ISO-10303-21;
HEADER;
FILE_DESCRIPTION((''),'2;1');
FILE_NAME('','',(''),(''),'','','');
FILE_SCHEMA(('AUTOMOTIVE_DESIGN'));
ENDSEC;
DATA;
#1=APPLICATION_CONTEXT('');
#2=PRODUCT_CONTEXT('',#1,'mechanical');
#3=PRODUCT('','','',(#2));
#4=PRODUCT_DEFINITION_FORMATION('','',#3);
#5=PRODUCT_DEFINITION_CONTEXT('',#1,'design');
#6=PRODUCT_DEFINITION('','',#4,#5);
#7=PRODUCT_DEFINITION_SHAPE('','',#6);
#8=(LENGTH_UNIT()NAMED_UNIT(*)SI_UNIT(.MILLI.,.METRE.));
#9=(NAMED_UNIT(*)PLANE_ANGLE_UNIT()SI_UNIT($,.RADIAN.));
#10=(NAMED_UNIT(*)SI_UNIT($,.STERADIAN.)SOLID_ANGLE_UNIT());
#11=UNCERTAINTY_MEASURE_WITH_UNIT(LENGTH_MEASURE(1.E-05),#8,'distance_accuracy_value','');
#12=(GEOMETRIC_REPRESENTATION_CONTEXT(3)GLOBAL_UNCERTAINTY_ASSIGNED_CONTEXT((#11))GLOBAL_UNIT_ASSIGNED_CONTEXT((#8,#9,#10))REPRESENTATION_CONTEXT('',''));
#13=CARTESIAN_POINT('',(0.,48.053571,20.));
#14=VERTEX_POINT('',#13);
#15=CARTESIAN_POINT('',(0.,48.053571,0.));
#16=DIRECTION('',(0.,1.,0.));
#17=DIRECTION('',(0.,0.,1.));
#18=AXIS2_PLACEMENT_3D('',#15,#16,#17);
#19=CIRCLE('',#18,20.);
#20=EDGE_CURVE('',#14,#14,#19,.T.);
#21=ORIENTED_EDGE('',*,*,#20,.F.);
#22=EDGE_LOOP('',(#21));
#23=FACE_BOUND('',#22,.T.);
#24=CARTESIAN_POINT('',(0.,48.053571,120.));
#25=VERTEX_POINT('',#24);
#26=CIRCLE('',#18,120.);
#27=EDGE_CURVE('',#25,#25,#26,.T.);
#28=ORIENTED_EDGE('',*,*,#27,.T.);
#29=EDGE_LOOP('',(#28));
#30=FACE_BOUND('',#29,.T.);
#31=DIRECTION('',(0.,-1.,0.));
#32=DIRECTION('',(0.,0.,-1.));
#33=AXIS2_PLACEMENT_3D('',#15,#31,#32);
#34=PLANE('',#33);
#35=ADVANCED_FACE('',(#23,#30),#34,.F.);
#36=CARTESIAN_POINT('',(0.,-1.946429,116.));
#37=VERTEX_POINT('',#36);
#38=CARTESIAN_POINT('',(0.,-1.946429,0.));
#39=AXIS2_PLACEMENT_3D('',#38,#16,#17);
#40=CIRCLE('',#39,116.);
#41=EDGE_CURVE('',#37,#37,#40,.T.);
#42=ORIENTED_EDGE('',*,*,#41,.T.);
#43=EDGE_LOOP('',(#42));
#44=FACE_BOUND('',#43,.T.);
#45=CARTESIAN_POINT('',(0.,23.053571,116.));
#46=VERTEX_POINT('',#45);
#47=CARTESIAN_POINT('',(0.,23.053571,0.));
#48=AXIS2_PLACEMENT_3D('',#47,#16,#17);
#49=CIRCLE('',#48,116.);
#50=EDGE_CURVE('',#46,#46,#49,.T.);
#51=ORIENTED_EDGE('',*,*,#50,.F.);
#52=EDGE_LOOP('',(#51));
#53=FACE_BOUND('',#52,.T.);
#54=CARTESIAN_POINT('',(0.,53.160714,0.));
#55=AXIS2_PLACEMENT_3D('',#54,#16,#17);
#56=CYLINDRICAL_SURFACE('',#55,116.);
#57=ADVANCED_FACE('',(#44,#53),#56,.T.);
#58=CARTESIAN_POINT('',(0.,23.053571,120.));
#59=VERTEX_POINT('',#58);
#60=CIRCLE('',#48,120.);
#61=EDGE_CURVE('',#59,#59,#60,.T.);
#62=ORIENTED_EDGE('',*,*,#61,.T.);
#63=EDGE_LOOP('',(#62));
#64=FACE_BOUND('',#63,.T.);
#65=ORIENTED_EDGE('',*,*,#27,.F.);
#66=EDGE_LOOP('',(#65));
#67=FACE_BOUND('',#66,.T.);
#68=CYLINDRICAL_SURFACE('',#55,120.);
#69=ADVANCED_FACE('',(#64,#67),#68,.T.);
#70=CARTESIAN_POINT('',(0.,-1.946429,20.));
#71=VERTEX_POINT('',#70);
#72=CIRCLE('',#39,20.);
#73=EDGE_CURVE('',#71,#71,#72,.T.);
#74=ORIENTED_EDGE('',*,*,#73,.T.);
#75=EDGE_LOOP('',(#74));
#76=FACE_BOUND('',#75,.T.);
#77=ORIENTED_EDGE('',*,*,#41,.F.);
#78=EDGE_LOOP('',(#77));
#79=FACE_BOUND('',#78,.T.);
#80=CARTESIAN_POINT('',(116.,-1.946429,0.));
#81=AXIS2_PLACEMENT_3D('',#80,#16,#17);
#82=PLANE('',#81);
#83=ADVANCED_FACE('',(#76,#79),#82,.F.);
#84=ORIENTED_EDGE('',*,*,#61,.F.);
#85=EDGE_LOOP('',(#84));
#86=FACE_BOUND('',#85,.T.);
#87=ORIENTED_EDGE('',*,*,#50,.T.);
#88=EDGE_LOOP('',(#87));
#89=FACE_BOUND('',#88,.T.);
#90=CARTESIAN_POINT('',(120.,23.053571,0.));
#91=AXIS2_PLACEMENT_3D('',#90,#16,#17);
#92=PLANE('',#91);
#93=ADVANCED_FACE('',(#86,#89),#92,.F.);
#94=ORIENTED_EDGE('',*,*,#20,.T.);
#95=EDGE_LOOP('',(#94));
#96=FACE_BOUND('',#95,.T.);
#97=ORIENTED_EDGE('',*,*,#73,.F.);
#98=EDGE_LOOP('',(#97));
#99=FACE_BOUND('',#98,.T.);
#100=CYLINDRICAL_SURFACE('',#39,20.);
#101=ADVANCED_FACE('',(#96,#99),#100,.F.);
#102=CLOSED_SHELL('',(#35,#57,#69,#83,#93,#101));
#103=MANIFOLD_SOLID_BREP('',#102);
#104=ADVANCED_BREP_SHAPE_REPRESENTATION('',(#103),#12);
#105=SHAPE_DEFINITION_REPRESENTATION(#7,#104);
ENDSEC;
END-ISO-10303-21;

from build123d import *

# Parameters (mm, degrees)
SKETCH2_R          = 20
CUT_EXTRUDE1_DEPTH = 177.91806013


with BuildPart() as part:
    # Sketch1 → Revolve1 (revolve)
    with BuildSketch(Plane.XY, mode=Mode.PRIVATE) as revolve1_sk:
        Polygon((0, 48.053571429), (120, 48.053571429), (120, 23.053571429), (116, 23.053571429), (116, -1.946428571), (0, -1.946428571), align=None)
    revolve(revolve1_sk.sketch.rotate(Axis((0, 53.160714286, 0), (0, -1, 0)), 90), axis=Axis((0, 53.160714286, 0), (0, -1, 0)))

    # Sketch2 → Cut-Extrude1 (cut, through all)
    with BuildSketch(Plane(origin=(0, 48.053571429, 0), x_dir=(1, 0, 0), z_dir=(0, 1, 0))):
        with Locations(Location((0, 0, 0), (0, 0, 270))):
            Circle(SKETCH2_R)
    extrude(amount=-CUT_EXTRUDE1_DEPTH, mode=Mode.SUBTRACT)


solid = part.part
